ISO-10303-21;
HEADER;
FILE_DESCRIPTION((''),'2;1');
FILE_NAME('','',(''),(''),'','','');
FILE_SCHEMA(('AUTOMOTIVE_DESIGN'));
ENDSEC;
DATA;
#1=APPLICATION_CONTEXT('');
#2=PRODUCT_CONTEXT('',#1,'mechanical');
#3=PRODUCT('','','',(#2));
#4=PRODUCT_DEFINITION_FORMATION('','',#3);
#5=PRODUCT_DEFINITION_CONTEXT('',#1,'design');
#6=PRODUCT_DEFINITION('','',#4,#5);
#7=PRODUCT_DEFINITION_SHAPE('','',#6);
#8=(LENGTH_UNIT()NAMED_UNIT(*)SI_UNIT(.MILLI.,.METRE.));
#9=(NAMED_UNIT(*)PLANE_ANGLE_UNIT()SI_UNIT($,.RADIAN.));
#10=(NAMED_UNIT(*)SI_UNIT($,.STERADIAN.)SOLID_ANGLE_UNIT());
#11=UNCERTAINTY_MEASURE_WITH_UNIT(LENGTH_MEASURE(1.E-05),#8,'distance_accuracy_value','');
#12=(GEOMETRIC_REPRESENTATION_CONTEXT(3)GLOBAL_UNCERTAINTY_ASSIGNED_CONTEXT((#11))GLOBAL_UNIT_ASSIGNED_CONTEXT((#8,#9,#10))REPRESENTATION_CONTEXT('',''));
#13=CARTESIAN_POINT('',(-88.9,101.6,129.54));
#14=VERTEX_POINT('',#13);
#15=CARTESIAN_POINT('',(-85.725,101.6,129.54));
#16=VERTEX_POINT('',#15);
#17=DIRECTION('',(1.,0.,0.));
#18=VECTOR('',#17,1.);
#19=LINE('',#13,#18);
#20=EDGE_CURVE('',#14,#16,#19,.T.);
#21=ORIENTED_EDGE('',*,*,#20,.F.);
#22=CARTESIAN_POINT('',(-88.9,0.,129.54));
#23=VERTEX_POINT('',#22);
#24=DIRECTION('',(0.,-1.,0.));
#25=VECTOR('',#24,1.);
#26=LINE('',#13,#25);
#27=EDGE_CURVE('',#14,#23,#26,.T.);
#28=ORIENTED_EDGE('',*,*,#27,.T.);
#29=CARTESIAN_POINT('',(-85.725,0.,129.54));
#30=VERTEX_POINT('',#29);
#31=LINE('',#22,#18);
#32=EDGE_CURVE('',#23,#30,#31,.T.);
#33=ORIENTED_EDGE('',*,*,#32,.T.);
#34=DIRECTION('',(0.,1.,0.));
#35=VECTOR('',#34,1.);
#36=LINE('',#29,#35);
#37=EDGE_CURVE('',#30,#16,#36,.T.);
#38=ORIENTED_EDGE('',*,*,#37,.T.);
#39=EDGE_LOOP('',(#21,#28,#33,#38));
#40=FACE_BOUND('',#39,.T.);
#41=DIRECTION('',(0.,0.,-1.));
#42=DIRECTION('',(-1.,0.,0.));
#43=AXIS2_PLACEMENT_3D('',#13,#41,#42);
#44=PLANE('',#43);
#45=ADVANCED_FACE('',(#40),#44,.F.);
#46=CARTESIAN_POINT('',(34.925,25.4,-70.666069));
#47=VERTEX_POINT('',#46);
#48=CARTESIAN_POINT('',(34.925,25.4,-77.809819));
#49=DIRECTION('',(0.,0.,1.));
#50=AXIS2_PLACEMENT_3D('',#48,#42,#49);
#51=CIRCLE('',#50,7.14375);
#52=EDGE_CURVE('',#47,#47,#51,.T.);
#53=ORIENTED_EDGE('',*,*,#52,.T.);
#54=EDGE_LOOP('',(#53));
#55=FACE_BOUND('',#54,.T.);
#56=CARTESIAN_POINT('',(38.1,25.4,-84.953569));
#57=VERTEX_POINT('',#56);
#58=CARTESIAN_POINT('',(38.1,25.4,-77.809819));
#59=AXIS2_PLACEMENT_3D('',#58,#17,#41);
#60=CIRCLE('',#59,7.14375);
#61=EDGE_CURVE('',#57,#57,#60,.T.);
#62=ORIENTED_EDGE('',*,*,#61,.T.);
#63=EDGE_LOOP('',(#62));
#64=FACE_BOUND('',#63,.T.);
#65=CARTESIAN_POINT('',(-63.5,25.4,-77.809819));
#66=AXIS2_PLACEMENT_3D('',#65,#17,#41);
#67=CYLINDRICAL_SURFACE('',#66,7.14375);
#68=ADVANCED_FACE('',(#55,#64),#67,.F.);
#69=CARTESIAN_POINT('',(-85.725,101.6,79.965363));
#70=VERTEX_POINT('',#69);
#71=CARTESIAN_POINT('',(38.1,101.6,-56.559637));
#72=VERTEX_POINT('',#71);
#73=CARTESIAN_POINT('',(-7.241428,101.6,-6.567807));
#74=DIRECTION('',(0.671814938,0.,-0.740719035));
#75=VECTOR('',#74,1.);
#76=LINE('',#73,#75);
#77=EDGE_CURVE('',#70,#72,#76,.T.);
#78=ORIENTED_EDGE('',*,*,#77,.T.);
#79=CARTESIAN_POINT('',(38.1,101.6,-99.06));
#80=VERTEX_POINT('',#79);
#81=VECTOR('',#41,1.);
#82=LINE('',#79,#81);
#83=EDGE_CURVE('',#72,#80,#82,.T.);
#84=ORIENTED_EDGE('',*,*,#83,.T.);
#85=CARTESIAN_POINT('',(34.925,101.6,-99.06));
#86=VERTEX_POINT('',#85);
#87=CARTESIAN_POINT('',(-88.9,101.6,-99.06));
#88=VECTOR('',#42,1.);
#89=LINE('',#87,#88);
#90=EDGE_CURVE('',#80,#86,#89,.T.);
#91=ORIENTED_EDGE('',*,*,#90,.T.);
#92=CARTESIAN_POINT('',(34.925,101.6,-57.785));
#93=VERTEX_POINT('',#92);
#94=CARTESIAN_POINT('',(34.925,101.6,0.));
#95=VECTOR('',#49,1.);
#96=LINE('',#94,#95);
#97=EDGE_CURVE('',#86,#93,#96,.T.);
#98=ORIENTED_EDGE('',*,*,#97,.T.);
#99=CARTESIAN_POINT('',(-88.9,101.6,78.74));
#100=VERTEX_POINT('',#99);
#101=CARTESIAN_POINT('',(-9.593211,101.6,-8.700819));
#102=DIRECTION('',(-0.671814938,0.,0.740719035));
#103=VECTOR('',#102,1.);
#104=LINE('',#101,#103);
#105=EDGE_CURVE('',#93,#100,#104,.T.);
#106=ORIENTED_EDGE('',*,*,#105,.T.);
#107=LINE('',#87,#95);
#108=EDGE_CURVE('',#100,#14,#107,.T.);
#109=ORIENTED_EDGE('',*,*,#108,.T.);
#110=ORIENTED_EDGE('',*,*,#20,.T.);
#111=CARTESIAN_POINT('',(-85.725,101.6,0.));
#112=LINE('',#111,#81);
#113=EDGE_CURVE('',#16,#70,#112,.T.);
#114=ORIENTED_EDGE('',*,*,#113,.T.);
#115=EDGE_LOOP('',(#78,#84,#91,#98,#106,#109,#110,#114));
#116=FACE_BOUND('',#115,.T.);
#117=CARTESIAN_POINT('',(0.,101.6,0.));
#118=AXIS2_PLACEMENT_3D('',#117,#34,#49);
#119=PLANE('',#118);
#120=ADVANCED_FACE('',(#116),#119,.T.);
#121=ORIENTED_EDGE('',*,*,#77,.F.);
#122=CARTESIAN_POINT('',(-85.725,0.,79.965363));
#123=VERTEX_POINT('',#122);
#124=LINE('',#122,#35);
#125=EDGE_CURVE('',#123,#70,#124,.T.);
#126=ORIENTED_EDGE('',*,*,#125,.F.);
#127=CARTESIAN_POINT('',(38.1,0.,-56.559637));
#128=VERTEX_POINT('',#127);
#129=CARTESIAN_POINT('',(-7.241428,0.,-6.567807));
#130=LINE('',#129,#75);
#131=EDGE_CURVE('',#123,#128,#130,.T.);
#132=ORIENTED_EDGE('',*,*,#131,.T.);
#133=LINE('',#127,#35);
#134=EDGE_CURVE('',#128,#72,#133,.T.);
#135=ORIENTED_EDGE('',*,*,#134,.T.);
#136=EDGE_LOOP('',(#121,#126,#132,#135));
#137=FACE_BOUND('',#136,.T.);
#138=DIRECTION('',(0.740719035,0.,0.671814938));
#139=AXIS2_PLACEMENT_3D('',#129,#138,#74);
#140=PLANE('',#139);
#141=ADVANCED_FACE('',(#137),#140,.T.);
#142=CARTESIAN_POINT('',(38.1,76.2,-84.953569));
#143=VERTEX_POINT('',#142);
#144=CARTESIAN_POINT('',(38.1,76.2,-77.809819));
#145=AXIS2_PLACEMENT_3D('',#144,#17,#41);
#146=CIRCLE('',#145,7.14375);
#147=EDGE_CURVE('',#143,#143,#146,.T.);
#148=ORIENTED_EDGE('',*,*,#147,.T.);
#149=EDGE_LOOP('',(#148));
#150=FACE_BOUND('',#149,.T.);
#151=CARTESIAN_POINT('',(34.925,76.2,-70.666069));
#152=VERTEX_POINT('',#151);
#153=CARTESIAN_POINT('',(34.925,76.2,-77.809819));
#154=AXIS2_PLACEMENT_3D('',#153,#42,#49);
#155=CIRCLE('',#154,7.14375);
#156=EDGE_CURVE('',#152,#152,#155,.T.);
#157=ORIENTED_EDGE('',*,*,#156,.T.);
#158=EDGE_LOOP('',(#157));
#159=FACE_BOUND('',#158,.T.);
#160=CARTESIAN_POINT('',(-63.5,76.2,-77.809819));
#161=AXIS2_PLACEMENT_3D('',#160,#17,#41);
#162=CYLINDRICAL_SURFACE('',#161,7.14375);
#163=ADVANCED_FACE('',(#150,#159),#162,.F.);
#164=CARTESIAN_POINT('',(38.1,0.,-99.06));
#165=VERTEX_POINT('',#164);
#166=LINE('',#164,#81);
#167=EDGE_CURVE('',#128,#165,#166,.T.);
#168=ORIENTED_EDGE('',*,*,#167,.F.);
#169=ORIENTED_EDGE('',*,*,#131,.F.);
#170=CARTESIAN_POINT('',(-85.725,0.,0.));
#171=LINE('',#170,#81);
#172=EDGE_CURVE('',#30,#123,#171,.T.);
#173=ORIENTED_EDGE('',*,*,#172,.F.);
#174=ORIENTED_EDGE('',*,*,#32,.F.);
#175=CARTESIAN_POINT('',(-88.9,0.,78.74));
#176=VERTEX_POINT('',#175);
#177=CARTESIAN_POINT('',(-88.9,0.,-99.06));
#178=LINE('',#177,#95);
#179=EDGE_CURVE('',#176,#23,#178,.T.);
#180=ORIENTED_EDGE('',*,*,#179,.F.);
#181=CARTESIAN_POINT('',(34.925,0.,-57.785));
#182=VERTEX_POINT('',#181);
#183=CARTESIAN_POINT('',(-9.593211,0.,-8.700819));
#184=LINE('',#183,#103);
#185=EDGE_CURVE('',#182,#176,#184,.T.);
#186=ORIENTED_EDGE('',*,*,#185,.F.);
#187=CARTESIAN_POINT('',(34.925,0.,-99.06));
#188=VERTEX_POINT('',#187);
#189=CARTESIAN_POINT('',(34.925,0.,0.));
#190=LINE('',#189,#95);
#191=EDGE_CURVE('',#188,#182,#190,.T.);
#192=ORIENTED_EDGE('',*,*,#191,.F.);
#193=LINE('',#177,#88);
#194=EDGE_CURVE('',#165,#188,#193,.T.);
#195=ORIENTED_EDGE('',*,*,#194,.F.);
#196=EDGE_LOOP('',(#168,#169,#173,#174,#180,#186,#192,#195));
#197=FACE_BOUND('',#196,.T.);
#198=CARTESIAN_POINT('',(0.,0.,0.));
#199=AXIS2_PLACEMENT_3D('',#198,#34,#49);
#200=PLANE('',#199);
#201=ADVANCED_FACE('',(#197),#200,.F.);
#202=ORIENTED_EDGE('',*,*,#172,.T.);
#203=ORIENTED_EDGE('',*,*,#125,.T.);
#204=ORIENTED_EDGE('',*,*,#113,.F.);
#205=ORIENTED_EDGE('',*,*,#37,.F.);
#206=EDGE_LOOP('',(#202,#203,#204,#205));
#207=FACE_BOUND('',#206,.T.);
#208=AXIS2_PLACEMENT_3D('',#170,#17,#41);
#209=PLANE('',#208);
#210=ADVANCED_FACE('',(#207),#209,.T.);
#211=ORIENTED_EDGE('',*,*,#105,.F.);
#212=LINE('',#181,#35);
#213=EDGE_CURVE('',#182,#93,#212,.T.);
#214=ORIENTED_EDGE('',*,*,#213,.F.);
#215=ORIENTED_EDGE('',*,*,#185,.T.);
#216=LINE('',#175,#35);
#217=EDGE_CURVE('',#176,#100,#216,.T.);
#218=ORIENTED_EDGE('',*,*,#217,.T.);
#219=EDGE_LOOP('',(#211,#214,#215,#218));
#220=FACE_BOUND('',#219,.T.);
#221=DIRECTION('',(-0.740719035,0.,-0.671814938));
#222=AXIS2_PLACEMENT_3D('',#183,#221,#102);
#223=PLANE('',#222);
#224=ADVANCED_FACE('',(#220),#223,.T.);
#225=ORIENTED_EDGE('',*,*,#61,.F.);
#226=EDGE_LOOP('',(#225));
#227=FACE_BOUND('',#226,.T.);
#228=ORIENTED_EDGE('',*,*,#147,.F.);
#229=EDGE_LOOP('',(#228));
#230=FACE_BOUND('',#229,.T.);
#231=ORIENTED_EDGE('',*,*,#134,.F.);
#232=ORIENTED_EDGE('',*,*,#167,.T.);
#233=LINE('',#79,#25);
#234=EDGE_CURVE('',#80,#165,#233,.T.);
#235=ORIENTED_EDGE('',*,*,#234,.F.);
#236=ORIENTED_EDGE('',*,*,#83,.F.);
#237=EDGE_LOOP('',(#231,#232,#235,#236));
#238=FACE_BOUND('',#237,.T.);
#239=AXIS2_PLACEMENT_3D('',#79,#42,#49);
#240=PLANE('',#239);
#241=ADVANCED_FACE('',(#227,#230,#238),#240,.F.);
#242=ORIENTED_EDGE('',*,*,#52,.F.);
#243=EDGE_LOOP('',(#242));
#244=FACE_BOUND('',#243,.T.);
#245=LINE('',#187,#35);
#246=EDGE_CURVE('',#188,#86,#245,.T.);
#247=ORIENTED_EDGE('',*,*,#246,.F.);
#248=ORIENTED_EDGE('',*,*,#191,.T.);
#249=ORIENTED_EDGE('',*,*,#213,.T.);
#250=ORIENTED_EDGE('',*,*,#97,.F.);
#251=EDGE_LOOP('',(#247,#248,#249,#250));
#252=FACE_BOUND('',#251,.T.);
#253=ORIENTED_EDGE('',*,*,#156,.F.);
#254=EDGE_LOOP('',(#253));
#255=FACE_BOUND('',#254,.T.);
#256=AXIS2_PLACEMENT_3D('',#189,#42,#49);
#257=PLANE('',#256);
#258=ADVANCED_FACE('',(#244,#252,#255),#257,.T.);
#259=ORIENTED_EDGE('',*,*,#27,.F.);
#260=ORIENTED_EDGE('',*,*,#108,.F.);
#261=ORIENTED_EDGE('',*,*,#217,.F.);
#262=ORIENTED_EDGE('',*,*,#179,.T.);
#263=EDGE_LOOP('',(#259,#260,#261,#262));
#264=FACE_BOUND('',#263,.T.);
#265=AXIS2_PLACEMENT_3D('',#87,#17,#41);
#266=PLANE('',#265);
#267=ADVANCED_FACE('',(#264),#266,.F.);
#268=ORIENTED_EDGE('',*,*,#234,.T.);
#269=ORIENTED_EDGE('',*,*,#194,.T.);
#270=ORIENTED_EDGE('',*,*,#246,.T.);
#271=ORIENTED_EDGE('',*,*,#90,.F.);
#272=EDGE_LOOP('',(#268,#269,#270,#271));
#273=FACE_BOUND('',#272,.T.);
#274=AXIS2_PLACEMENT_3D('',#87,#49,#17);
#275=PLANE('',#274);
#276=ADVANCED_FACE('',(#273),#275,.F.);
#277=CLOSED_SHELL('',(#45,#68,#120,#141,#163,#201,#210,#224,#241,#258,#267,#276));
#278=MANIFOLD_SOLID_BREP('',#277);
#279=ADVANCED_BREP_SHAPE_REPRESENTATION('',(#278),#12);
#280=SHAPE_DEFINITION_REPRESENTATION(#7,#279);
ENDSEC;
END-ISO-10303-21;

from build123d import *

# Parameters (mm, degrees)
SKETCH1_W           = 127
SKETCH1_H           = 228.6
BOSS_EXTRUDE1_DEPTH = 101.6
CUT_EXTRUDE3_DEPTH  = 188.099924105
SKETCH6_R           = 7.14375
CUT_EXTRUDE4_DEPTH  = 101.6


with BuildPart() as part:
    # Sketch1 → Boss-Extrude1 (new body)
    with BuildSketch(Plane(origin=(0, 0, 0), x_dir=(1, 0, 0), z_dir=(0, 1, 0))):
        with Locations((-25.4, -15.24)):
            Rectangle(SKETCH1_W, SKETCH1_H)
    extrude(amount=BOSS_EXTRUDE1_DEPTH)

    # Sketch3 → Cut-Extrude3 (cut, through all)
    with BuildSketch(Plane(origin=(0, 101.6, 0), x_dir=(1, 0, 0), z_dir=(0, 1, 0))):
        Polygon((34.925, 57.785), (34.925, 99.06), (-88.9, 99.06), (-88.9, -78.74), align=None)
        Polygon((38.1, -129.54), (38.1, 56.559637154), (-85.725, -79.965362846), (-85.725, -129.54), align=None)
    extrude(amount=-CUT_EXTRUDE3_DEPTH, mode=Mode.SUBTRACT)

    # Sketch6 → Cut-Extrude4 (cut)
    with BuildSketch(Plane(origin=(38.1, 0, 0), x_dir=(0, 0, -1), z_dir=(1, 0, 0))):
        with Locations((77.809818577, 76.2)):
            Circle(SKETCH6_R)
        with Locations((77.809818577, 25.4)):
            Circle(SKETCH6_R)
    extrude(amount=-CUT_EXTRUDE4_DEPTH, mode=Mode.SUBTRACT)


solid = part.part
